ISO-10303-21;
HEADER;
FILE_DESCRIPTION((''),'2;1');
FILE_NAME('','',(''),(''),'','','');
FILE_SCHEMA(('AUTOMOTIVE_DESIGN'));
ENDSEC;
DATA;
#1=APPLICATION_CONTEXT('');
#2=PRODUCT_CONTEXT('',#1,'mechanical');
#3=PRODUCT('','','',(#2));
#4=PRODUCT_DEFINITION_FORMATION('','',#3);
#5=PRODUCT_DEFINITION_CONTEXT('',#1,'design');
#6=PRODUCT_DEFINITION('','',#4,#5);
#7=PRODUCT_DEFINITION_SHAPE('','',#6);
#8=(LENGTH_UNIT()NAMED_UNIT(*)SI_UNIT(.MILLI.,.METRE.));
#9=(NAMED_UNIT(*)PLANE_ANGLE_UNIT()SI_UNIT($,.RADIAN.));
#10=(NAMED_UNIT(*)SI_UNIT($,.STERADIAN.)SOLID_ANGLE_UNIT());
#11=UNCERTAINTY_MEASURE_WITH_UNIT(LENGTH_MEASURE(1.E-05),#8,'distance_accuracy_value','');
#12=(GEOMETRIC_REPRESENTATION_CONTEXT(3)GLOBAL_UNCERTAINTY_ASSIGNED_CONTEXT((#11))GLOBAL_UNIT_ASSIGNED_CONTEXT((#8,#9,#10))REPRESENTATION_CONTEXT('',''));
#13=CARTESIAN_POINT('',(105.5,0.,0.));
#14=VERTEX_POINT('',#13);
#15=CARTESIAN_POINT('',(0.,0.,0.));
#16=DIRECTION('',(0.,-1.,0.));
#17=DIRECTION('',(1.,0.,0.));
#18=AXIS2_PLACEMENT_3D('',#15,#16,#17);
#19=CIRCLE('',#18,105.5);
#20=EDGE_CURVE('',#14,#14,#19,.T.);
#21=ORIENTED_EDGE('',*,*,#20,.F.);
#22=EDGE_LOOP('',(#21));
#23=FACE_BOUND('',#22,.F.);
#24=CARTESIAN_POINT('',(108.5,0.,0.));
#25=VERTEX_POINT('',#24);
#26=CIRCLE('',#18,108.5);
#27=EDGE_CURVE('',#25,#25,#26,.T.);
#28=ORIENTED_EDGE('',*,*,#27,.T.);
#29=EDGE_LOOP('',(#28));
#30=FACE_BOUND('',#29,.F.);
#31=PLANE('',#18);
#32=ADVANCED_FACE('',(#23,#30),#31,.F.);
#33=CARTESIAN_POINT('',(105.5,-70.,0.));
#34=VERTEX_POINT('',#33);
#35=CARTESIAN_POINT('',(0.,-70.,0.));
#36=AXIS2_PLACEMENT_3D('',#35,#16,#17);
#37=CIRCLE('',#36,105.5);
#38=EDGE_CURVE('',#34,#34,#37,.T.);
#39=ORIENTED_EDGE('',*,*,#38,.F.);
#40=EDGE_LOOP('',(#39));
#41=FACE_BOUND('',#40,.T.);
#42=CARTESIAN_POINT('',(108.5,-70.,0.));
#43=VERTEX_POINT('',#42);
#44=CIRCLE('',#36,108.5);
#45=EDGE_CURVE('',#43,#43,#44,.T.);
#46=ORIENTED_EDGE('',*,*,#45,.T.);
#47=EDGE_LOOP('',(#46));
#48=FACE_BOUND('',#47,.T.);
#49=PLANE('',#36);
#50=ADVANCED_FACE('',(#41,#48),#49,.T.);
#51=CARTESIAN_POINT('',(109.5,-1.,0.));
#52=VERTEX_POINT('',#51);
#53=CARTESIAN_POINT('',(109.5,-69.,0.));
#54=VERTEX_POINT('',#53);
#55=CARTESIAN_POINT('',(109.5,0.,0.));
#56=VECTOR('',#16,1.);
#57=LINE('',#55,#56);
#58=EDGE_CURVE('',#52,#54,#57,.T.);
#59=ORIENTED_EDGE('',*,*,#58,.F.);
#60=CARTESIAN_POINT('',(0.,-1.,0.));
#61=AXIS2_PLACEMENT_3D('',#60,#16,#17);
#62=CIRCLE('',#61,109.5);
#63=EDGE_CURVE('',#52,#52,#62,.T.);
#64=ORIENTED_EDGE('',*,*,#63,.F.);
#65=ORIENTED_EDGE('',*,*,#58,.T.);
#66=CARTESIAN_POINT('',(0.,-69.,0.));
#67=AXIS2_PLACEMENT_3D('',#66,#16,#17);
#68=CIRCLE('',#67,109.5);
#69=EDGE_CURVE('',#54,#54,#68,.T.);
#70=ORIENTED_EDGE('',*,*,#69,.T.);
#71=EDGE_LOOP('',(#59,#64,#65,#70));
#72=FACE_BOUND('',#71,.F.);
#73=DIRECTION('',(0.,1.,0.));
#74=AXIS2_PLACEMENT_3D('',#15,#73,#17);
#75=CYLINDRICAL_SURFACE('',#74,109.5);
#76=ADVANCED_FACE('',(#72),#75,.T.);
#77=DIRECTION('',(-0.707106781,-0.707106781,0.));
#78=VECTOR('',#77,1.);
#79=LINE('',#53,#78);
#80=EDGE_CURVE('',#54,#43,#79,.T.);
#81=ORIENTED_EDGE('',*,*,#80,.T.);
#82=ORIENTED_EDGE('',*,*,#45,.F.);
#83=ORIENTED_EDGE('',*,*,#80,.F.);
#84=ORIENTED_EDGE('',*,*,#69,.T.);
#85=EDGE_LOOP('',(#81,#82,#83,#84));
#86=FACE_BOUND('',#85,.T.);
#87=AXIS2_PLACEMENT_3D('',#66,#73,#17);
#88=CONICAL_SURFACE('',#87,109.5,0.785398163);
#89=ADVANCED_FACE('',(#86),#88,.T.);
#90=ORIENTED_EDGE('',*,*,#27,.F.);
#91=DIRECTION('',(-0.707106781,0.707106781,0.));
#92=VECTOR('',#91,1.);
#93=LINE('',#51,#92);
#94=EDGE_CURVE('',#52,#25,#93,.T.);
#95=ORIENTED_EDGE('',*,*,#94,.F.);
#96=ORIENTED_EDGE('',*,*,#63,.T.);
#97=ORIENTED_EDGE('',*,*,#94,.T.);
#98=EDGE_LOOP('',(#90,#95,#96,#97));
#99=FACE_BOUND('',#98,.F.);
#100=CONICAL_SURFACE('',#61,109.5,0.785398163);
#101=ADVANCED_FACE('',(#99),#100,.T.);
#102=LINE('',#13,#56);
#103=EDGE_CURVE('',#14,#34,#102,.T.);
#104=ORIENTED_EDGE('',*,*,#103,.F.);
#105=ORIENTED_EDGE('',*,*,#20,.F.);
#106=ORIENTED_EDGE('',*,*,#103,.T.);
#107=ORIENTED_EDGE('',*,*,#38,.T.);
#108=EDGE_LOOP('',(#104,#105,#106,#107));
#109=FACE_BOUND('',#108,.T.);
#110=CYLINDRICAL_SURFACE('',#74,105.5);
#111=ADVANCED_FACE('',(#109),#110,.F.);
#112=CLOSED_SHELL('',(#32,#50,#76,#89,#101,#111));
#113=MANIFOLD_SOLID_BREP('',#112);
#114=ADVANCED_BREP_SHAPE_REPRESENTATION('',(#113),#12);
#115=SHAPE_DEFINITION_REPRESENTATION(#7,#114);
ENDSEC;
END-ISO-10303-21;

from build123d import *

# Parameters (mm, degrees)
F0_R     = 109.5
F0_R_2   = 105.5
F1_DEPTH = 70
F2_SIZE  = 1


with BuildPart() as f1:
    # F0 (on Front) → F1 (new body)
    with BuildSketch(Plane.XZ):
        Circle(F0_R)
        Circle(F0_R_2, mode=Mode.SUBTRACT)
    extrude(amount=F1_DEPTH)

    # F2
    f2_edges = [f1.edges().sort_by_distance(p)[0] for p in [
        (-109.5, -70, 0),
        (-109.5, 0, 0),
    ]]
    chamfer(f2_edges, length=F2_SIZE)


solid = f1.part
